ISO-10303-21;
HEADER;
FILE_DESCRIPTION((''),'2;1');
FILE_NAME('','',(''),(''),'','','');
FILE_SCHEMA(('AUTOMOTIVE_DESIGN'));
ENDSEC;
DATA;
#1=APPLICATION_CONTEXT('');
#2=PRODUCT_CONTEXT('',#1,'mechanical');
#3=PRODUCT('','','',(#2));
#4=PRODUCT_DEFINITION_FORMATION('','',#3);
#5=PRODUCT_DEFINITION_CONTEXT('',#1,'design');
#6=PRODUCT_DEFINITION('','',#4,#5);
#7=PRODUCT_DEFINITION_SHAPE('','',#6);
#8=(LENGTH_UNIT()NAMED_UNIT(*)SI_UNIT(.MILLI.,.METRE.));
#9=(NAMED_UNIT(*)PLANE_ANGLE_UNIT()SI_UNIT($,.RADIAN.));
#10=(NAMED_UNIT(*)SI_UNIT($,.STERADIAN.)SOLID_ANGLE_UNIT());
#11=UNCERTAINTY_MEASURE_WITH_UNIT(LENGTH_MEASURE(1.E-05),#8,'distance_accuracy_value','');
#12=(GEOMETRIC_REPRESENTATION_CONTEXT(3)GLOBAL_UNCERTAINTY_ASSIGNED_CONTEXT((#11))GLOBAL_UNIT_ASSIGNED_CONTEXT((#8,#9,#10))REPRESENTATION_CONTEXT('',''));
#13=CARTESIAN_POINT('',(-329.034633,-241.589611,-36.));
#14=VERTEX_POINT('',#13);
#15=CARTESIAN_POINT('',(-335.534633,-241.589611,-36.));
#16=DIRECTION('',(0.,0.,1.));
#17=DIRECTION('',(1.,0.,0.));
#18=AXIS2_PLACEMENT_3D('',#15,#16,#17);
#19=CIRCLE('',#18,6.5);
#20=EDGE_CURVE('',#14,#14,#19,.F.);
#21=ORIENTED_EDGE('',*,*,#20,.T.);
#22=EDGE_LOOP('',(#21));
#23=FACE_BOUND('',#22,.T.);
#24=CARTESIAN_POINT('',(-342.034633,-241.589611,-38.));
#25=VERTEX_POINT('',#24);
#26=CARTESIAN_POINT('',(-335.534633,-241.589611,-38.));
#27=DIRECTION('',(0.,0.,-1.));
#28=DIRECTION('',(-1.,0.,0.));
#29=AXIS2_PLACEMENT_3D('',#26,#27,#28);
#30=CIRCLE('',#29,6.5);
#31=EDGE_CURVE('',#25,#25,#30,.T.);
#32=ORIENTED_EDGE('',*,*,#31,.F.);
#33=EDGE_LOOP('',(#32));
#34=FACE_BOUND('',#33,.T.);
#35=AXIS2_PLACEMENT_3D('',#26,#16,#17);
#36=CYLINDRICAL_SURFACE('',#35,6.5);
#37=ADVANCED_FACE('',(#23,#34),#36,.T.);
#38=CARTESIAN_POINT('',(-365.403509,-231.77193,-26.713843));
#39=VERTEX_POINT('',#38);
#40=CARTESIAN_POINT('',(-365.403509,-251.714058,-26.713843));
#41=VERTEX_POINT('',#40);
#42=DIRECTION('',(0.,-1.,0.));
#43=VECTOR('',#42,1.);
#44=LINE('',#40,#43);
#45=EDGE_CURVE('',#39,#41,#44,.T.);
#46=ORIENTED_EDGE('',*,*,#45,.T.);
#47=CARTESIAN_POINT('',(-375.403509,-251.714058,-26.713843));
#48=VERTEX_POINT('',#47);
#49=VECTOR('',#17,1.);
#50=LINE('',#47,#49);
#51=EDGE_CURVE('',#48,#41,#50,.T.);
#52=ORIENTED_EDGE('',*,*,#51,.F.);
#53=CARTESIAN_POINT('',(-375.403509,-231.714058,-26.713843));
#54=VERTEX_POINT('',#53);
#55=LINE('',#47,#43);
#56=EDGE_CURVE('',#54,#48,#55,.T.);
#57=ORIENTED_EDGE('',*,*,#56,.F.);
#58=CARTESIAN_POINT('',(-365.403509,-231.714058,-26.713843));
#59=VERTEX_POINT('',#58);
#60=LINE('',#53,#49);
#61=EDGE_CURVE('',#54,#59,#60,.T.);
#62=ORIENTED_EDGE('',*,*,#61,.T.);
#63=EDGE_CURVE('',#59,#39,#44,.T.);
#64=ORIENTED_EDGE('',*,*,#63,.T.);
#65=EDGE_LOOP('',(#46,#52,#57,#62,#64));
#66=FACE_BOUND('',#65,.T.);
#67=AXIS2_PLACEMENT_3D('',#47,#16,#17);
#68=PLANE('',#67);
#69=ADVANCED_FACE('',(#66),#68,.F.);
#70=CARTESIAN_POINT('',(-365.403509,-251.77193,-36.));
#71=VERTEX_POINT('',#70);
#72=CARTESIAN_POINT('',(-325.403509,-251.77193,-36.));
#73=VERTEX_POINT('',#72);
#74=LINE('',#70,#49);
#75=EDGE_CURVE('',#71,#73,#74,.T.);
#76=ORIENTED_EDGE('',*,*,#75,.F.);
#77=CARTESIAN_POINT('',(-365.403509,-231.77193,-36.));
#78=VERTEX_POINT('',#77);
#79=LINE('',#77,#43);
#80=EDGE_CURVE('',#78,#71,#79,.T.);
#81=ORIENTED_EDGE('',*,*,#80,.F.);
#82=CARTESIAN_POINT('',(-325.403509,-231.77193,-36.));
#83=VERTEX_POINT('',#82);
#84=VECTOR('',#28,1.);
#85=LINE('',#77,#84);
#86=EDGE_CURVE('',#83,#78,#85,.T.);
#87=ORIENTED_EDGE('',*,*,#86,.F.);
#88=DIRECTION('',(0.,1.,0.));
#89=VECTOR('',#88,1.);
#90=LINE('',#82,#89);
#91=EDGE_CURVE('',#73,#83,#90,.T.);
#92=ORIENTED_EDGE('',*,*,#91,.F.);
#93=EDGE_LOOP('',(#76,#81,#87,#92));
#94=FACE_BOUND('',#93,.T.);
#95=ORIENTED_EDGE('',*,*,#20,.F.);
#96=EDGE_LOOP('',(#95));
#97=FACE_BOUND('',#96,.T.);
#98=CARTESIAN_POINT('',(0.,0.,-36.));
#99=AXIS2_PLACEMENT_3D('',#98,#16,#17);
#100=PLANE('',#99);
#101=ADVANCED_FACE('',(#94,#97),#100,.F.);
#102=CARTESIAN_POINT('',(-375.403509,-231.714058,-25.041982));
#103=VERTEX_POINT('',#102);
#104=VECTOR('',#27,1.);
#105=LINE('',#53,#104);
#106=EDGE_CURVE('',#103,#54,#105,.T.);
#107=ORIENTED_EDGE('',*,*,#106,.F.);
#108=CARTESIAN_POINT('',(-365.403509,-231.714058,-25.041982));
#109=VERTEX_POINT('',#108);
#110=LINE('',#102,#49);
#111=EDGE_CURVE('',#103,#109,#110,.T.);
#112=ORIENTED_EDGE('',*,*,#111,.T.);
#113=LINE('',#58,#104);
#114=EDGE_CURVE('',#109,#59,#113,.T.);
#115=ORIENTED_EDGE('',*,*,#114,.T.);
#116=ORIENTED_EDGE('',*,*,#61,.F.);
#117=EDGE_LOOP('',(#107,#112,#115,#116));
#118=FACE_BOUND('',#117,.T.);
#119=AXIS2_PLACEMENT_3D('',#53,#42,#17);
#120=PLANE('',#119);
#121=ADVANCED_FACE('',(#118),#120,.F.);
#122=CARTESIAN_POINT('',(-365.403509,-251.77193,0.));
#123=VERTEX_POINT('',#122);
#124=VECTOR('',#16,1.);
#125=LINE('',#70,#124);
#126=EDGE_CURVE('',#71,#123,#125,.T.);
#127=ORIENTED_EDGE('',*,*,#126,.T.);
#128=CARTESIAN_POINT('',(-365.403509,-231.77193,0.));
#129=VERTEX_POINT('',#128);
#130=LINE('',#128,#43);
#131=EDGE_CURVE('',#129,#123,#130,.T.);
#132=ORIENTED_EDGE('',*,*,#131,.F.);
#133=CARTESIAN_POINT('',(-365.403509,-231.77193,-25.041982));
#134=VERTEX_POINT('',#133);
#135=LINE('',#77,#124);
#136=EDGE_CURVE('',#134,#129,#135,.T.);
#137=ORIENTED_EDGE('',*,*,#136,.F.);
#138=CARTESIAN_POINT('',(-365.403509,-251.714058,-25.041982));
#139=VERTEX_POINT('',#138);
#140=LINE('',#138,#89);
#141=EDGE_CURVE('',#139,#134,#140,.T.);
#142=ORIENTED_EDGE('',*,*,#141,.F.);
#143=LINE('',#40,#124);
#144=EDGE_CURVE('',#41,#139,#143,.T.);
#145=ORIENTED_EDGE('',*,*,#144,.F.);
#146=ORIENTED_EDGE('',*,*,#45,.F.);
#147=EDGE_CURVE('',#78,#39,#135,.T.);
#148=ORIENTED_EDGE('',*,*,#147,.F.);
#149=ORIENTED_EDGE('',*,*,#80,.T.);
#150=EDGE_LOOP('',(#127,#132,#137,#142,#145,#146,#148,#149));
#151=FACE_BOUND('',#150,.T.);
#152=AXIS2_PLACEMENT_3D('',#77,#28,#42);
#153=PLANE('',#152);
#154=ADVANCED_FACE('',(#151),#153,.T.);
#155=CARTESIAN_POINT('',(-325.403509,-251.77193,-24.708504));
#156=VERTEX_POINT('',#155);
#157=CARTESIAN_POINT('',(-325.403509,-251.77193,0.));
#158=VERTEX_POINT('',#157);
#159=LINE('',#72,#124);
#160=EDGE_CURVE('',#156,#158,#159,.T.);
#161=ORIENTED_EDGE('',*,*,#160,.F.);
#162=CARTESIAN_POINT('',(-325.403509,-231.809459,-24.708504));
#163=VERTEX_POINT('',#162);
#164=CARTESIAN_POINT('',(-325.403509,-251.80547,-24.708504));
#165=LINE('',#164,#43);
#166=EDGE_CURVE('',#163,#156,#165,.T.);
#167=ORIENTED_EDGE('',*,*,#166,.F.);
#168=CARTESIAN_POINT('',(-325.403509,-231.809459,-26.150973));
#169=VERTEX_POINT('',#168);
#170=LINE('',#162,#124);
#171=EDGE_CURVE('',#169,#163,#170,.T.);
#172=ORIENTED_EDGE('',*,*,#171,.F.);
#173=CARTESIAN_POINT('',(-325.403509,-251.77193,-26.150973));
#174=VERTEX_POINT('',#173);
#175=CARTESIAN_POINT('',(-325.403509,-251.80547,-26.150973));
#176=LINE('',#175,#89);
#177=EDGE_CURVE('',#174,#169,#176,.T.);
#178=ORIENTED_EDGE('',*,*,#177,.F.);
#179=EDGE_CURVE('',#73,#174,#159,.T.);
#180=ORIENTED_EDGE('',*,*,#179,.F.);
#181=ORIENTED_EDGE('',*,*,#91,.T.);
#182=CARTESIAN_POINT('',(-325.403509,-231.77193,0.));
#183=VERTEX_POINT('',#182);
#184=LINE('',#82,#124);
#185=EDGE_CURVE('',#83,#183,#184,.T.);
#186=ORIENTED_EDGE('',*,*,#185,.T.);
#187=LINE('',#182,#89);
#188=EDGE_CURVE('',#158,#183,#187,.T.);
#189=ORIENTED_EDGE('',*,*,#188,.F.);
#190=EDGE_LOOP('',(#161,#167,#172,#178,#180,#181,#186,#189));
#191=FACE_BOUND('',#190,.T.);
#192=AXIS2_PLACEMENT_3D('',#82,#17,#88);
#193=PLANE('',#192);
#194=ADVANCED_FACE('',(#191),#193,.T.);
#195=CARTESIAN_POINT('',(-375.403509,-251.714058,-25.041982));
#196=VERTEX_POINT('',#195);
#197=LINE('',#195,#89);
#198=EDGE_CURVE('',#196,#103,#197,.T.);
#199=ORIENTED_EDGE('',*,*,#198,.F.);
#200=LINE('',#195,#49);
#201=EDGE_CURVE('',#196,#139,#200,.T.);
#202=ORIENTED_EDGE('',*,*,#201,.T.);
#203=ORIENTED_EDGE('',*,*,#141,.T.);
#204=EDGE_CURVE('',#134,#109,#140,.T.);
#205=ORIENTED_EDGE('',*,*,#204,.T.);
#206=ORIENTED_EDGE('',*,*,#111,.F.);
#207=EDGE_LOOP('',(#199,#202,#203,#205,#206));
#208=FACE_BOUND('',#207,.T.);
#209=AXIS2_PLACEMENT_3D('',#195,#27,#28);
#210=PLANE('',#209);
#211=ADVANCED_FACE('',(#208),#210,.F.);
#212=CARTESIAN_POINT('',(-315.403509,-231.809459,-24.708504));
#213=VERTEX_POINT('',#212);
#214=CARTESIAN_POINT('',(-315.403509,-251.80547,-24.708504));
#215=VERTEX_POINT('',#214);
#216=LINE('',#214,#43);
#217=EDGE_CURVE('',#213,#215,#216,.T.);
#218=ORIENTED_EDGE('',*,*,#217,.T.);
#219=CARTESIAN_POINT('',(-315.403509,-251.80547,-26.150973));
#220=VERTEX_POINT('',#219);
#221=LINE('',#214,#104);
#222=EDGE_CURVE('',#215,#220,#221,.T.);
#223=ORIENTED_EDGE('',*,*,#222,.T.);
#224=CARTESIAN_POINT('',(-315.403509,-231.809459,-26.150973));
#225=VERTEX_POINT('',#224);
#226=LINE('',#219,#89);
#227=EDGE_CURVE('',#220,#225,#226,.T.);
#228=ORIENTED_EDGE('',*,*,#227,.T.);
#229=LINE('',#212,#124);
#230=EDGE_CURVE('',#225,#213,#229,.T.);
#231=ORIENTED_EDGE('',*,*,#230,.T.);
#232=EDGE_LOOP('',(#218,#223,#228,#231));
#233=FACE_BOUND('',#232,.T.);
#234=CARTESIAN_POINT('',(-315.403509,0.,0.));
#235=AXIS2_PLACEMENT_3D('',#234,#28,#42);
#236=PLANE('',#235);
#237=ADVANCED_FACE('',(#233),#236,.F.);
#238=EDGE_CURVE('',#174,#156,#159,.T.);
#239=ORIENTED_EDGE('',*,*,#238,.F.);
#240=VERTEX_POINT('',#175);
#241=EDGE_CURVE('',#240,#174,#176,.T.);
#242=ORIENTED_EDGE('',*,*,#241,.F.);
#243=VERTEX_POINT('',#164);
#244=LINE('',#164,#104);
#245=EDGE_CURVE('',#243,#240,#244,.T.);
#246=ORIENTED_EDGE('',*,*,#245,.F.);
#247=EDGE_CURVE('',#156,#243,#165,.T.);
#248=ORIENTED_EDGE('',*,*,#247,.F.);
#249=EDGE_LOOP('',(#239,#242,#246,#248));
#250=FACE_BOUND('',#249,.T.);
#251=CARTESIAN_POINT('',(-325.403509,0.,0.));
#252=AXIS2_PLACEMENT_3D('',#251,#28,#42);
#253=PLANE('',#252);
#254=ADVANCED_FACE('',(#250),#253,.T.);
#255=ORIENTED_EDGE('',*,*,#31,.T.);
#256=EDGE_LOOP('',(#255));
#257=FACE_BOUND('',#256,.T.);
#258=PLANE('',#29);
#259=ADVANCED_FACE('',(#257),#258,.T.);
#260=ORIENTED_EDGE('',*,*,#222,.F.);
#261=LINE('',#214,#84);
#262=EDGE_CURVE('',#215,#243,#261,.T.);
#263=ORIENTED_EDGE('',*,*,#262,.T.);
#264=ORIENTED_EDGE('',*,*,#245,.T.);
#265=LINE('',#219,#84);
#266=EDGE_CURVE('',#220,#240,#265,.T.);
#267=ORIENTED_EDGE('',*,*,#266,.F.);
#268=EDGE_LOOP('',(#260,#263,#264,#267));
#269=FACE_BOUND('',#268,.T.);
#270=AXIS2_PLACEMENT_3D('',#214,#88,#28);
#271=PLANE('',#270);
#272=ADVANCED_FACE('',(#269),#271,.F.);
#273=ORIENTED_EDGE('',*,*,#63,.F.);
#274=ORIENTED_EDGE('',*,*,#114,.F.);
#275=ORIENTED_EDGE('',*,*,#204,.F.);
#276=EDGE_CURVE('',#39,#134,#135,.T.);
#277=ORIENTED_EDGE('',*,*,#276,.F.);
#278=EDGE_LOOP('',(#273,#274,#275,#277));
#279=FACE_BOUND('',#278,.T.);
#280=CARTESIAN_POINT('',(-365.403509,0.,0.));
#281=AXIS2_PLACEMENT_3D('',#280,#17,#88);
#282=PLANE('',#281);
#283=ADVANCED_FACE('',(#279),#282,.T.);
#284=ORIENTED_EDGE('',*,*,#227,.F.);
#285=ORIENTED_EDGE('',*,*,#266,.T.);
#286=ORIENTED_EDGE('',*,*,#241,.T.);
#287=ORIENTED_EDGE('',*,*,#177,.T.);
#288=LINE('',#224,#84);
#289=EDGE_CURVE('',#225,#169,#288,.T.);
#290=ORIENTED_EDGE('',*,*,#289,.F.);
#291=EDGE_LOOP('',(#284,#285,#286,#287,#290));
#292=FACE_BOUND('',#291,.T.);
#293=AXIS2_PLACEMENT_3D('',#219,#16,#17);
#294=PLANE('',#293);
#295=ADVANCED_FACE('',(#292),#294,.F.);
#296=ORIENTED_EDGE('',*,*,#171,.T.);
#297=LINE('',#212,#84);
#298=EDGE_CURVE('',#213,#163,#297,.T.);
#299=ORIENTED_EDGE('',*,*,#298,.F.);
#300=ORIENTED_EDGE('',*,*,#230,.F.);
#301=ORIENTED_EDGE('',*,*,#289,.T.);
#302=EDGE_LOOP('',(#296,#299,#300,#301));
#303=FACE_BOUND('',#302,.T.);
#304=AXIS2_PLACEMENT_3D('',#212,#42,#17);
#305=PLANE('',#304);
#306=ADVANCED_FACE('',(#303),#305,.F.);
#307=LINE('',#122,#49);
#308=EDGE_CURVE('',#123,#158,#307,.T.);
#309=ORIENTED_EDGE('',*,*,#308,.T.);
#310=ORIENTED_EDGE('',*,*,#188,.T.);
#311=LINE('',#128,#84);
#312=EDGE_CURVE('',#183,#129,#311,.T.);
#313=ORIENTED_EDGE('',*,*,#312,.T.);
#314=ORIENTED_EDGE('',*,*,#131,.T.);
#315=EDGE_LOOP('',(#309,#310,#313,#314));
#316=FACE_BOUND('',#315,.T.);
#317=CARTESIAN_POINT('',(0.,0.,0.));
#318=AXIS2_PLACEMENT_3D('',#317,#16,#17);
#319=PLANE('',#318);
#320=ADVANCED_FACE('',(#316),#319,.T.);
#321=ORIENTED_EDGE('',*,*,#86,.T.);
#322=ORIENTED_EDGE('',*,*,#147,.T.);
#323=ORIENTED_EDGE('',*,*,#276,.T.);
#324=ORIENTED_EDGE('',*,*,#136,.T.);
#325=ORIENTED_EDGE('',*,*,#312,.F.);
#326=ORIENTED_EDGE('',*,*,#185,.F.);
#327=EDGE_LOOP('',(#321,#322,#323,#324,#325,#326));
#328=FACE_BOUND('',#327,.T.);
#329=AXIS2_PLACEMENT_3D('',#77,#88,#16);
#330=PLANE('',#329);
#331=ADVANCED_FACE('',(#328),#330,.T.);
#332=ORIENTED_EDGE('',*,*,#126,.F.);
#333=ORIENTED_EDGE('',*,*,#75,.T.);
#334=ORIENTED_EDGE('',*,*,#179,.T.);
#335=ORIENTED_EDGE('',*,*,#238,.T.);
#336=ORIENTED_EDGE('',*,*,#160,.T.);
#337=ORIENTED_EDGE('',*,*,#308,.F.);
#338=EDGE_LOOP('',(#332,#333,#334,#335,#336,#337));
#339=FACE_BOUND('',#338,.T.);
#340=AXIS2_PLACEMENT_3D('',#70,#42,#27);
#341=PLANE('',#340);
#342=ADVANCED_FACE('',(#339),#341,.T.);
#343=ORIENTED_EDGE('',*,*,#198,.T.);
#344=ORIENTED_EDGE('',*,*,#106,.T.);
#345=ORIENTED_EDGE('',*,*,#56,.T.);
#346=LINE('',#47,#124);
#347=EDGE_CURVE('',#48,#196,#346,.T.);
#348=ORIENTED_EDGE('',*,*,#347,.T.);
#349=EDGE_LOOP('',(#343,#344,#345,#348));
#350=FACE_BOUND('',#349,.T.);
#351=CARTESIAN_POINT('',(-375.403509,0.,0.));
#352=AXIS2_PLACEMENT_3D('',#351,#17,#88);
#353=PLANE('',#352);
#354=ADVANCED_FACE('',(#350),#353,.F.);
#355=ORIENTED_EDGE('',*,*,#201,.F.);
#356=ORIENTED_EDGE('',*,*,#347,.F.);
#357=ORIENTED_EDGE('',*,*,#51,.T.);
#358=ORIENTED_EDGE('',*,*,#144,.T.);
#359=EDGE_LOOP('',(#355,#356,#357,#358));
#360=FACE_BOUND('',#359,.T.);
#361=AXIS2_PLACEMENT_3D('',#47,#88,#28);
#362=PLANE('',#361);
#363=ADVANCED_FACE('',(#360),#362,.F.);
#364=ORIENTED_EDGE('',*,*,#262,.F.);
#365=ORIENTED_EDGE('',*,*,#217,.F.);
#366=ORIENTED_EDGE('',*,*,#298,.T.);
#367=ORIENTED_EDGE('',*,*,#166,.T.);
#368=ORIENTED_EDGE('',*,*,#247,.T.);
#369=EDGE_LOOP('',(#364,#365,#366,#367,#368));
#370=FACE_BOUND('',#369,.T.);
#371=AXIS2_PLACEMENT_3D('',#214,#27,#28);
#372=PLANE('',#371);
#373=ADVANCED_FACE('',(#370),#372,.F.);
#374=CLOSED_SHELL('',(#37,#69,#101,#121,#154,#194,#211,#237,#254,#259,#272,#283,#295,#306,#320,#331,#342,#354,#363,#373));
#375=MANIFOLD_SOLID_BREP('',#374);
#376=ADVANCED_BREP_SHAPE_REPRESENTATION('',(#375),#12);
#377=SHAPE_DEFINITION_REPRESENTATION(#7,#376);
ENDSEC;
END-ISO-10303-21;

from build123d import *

# Parameters (mm, degrees)
SKETCH_1_W      = 40
SKETCH_1_H      = 20
EXTRUDE_1_DEPTH = 36
SKETCH_2_W      = 1.671860453
SKETCH_2_H      = 20
EXTRUDE_2_DEPTH = 10
SKETCH_5_W      = 1.442469022
SKETCH_5_H      = 19.996010925
EXTRUDE_5_DEPTH = 10
SKETCH_7_R      = 6.5
EXTRUDE_6_DEPTH = 2


with BuildPart() as part:
    # 草图1 → 凸台-拉伸1 (new body)
    with BuildSketch(Plane.XY):
        with Locations((-345.403508772, -241.771929825)):
            Rectangle(SKETCH_1_W, SKETCH_1_H)
    extrude(amount=-EXTRUDE_1_DEPTH)

    # 草图2 → 凸台-拉伸2 (add)
    with BuildSketch(Plane(origin=(-365.403508772, 0, -0.001996536), x_dir=(0, 0, 1), z_dir=(-1, 0, 0))):
        with Locations((-25.87591575, -241.714058127)):
            Rectangle(SKETCH_2_W, SKETCH_2_H)
    extrude(amount=EXTRUDE_2_DEPTH)

    # 草图5 → 凸台-拉伸5 (add)
    with BuildSketch(Plane(origin=(-325.403508772, 0, -0.752936531), x_dir=(0, 0, -1), z_dir=(1, 0, 0))):
        with Locations((24.676802168, -241.807464448)):
            Rectangle(SKETCH_5_W, SKETCH_5_H)
    extrude(amount=EXTRUDE_5_DEPTH)

    # 草图7 → 凸台-拉伸6 (add)
    with BuildSketch(Plane(origin=(-2.226236695, -0.840173037, -36), x_dir=(-1, 0, 0), z_dir=(0, 0, -1))):
        with Locations(Location((333.308396358, -240.749438329, 0), (0, 0, 180))):
            Circle(SKETCH_7_R)
    extrude(amount=EXTRUDE_6_DEPTH)


solid = part.part
